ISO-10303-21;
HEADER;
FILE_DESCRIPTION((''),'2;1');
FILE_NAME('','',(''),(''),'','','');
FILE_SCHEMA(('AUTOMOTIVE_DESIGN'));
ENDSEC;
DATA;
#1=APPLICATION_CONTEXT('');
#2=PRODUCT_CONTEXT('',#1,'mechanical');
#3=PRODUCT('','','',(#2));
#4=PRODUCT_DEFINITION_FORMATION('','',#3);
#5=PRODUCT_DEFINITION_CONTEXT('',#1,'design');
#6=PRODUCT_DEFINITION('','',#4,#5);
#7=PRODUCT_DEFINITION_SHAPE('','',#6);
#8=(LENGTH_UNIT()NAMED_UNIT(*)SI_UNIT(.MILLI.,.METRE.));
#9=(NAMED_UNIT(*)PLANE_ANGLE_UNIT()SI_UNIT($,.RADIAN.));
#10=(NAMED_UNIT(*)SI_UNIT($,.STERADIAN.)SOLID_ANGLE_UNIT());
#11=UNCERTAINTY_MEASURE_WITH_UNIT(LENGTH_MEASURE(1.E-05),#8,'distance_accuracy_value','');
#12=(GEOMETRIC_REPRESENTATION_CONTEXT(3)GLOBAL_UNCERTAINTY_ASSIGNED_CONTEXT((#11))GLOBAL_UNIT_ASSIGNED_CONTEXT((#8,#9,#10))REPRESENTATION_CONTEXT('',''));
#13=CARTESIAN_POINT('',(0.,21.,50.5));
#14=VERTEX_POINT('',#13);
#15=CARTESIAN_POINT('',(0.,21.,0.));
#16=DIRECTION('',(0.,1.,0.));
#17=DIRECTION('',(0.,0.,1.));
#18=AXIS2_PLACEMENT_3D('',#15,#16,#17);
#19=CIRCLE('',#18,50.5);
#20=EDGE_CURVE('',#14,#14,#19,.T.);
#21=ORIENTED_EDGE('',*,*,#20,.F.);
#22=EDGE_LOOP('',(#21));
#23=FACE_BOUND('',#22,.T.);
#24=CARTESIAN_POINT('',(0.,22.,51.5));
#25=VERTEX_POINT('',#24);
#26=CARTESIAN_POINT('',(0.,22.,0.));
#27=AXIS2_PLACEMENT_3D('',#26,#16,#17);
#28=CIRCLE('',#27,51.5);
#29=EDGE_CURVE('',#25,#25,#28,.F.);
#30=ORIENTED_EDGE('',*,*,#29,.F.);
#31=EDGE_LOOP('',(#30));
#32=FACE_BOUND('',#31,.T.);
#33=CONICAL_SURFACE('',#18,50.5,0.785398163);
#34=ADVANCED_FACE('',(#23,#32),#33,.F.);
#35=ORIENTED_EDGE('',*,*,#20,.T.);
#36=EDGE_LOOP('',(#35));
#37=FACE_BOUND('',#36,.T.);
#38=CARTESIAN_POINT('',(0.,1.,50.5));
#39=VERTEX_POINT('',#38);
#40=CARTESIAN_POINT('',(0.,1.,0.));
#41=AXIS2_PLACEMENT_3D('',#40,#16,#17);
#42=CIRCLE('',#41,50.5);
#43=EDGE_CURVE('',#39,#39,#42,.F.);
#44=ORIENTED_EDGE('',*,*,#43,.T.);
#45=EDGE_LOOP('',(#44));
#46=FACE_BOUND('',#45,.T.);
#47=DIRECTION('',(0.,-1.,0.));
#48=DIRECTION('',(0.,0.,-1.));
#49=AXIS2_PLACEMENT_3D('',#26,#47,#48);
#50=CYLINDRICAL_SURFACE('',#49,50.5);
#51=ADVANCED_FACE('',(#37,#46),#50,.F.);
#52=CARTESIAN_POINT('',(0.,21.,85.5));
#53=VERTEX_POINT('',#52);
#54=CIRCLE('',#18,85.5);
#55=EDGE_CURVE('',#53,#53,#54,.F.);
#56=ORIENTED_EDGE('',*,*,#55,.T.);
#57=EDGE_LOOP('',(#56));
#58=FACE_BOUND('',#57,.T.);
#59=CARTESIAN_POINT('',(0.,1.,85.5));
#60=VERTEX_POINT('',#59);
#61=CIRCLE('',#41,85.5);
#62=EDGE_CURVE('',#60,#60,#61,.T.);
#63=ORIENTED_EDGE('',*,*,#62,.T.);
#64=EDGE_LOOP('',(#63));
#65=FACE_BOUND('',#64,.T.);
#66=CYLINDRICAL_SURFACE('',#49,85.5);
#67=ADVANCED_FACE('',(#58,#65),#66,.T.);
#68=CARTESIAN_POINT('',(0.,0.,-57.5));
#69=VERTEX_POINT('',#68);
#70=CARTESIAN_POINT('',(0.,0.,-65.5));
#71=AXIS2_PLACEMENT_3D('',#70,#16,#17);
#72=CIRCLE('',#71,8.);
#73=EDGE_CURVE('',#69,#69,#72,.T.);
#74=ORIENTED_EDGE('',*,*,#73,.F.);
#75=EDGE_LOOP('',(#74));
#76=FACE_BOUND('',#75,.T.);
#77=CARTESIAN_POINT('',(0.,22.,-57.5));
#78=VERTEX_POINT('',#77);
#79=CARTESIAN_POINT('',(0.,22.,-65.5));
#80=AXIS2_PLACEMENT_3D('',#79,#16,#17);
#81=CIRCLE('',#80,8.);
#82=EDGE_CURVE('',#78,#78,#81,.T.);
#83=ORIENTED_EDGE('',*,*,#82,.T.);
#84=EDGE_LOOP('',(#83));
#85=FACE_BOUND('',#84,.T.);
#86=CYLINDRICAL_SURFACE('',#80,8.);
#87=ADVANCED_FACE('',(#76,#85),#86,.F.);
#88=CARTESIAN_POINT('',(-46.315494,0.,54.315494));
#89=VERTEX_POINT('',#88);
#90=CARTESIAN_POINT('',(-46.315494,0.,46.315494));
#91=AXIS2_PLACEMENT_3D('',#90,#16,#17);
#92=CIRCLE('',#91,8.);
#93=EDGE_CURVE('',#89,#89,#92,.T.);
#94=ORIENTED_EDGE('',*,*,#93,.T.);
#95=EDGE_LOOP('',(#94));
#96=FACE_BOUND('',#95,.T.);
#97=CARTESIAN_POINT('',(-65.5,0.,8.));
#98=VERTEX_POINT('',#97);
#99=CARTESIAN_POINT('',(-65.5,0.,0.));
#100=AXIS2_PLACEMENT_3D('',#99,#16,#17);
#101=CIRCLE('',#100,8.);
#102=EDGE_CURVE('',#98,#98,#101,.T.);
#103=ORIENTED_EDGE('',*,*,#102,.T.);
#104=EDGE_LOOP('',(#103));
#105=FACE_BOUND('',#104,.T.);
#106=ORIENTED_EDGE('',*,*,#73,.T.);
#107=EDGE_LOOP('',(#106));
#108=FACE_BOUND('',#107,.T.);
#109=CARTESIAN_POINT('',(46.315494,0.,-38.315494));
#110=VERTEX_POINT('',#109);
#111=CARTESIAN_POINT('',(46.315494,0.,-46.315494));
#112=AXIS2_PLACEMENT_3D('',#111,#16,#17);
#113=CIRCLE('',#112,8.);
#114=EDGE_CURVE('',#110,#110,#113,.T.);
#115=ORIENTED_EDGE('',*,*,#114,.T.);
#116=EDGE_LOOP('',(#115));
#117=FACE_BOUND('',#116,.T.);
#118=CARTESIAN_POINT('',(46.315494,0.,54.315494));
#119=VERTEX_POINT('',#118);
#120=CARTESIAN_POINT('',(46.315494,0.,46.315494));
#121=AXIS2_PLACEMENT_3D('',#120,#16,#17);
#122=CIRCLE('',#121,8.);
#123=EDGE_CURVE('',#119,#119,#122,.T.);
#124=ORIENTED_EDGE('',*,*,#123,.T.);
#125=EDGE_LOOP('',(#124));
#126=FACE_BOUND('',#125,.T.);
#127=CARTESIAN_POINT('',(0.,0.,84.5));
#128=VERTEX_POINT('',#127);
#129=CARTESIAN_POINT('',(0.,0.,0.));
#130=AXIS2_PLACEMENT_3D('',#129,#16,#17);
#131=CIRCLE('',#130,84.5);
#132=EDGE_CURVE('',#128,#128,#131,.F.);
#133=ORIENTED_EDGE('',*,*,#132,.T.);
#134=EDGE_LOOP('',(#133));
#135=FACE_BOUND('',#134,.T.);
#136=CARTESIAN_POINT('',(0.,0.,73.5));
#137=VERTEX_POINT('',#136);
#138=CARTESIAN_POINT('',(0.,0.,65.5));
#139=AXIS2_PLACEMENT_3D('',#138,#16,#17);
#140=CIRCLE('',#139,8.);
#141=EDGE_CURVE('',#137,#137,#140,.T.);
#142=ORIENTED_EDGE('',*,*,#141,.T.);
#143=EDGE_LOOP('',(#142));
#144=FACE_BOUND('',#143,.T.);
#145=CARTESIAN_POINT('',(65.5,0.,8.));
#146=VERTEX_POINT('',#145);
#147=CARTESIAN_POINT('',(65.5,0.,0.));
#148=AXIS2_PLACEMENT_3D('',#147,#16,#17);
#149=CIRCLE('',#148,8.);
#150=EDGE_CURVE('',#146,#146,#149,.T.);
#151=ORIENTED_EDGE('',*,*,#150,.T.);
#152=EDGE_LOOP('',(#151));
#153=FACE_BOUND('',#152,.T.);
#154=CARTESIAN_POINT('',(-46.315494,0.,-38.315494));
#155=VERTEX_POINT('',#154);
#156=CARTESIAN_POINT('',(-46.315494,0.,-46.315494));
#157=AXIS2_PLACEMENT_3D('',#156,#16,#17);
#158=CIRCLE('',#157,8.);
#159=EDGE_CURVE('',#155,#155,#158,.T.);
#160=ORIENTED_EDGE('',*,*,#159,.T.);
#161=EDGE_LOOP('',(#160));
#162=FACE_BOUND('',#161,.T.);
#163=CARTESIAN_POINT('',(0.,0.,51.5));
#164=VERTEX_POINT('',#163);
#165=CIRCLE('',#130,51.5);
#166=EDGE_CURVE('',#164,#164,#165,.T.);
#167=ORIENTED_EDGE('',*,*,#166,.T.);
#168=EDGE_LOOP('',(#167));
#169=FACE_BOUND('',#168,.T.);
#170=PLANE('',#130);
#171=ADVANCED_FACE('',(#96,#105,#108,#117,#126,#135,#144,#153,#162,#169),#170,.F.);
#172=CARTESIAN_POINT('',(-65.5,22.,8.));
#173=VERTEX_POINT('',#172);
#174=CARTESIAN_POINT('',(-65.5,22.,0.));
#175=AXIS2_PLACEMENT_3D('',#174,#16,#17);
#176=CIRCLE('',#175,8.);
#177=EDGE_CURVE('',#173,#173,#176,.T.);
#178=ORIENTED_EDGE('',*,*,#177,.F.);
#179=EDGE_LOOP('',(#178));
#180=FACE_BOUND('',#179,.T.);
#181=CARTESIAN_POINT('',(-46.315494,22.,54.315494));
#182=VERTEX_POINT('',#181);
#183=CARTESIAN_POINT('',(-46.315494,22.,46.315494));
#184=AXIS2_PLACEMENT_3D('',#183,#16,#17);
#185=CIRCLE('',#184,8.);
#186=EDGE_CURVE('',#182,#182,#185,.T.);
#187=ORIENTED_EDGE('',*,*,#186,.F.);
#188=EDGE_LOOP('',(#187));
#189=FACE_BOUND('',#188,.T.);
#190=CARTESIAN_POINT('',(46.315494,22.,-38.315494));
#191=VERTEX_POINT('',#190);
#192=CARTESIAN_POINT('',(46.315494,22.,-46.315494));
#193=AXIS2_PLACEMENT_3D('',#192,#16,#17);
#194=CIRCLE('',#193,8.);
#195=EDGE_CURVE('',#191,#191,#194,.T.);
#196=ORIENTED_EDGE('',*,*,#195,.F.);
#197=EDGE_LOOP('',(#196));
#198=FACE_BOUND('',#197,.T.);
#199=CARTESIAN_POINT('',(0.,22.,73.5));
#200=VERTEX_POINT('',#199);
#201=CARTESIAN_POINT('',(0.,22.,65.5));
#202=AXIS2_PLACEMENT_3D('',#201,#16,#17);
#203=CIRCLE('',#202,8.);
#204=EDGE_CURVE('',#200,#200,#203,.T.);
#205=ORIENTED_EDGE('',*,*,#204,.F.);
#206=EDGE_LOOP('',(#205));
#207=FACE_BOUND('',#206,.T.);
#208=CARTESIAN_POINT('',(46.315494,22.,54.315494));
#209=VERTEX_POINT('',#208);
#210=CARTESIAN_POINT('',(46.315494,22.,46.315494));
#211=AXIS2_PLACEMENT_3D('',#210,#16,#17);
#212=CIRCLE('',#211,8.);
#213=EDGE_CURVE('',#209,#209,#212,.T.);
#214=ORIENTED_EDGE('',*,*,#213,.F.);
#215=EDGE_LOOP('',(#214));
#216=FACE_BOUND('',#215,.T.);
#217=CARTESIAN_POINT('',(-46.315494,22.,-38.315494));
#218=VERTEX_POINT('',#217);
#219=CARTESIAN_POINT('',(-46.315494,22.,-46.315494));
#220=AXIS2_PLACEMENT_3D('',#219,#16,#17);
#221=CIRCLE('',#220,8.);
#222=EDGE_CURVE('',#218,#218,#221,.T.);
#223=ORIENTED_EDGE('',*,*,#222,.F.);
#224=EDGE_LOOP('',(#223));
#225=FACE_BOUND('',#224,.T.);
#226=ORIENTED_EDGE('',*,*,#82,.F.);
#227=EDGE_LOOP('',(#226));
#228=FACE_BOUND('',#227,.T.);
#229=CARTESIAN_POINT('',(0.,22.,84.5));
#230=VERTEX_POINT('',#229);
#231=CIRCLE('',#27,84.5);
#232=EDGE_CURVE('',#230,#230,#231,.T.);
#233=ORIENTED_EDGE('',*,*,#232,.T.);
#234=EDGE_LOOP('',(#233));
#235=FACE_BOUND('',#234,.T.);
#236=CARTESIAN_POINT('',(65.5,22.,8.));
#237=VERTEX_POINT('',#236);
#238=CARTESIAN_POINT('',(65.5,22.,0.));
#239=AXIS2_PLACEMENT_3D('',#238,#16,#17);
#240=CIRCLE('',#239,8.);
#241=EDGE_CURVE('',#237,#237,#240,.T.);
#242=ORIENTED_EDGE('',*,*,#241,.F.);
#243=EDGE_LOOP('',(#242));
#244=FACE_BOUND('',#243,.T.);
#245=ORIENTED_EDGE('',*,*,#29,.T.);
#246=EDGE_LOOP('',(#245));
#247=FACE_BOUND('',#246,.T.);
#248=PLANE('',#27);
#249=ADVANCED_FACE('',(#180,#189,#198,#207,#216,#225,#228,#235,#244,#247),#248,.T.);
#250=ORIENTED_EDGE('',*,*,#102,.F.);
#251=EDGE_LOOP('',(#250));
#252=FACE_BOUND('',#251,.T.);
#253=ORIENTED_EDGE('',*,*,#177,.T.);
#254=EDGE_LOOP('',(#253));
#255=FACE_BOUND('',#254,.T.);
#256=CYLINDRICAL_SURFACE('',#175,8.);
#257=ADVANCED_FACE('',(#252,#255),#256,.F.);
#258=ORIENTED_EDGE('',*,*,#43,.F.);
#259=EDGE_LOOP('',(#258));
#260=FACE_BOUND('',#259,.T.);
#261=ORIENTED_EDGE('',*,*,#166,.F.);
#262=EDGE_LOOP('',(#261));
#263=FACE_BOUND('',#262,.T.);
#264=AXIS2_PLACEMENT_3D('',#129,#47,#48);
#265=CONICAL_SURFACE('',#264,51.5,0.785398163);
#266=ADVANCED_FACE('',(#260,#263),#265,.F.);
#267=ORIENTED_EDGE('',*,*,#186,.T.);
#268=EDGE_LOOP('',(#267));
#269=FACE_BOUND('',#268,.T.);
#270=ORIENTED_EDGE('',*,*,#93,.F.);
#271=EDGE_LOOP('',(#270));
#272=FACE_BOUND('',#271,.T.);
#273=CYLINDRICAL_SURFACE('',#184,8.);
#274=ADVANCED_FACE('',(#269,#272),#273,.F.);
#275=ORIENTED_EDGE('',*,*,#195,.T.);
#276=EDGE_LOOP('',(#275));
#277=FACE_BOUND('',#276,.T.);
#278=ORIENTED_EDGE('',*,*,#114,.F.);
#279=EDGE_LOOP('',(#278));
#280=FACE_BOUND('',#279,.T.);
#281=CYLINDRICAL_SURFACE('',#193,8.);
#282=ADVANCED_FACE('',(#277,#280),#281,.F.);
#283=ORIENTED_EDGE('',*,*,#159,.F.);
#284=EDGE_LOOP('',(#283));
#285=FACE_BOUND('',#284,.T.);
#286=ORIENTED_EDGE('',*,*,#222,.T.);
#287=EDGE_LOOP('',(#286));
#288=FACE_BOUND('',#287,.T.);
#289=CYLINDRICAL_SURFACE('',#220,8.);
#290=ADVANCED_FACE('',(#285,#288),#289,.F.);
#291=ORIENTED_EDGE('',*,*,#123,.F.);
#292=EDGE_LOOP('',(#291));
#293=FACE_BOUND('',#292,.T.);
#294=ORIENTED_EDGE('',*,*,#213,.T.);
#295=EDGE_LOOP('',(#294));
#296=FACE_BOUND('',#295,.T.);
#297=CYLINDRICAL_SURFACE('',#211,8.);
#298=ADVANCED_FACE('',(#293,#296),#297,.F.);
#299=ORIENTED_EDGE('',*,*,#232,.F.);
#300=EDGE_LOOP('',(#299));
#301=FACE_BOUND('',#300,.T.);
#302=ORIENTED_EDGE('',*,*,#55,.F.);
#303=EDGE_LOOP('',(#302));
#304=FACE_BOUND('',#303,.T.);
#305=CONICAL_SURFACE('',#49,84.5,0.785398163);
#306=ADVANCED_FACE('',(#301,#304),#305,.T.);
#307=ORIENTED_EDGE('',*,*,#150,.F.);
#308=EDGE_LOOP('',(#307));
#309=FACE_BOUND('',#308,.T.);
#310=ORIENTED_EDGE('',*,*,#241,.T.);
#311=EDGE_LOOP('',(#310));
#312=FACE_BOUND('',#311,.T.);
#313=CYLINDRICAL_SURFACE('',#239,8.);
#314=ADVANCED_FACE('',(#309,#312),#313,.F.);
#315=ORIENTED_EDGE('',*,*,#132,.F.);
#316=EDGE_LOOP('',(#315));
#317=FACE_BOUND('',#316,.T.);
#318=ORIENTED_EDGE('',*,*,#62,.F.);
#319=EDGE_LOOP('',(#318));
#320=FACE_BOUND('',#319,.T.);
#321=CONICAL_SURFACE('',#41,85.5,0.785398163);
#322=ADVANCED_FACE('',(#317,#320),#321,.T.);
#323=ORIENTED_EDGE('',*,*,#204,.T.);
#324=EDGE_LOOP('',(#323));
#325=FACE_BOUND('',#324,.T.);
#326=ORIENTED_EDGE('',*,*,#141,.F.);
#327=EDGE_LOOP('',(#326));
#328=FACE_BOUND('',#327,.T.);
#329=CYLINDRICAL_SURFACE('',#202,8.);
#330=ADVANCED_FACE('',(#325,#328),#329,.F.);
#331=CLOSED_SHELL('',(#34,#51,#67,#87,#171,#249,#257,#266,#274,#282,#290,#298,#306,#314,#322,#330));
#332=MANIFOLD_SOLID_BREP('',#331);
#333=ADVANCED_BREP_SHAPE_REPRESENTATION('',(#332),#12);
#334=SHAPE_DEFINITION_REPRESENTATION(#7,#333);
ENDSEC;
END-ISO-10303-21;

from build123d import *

# Parameters (mm, degrees)
SKETCH_1_R      = 85.5
SKETCH_1_R_2    = 50.5
EXTRUDE_1_DEPTH = 22
CHAMFER_1_SIZE  = 1
HOLE_WIZARD_1_D = 16


with BuildPart() as part:
    # 草图1 → 凸台-拉伸1 (new body)
    with BuildSketch(Plane(origin=(0, 0, 0), x_dir=(1, 0, 0), z_dir=(0, 1, 0))):
        with Locations(Location((0, 0, 0), (0, 0, 270))):
            Circle(SKETCH_1_R)
        with Locations(Location((0, 0, 0), (0, 0, 270))):
            Circle(SKETCH_1_R_2, mode=Mode.SUBTRACT)
    extrude(amount=EXTRUDE_1_DEPTH)

    # 倒角1
    chamfer_1_edges = [part.edges().sort_by_distance(p)[0] for p in [
        (0, 0, -85.5),
        (0, 22, -85.5),
        (0, 0, -50.5),
        (0, 22, -50.5),
    ]]
    chamfer(chamfer_1_edges, length=CHAMFER_1_SIZE)

    # 孔1 (through all)
    with Locations(Plane(origin=(0, 22, 0), x_dir=(1, 0, 0), z_dir=(0, 1, 0))):
        with Locations((46.315494168, 46.315494168), (65.5, 0), (46.315494168, -46.315494168), (0, -65.5), (-46.315494168, -46.315494168), (-65.5, 0), (-46.315494168, 46.315494168), (0, 65.5)):
            Hole(HOLE_WIZARD_1_D / 2)


solid = part.part
